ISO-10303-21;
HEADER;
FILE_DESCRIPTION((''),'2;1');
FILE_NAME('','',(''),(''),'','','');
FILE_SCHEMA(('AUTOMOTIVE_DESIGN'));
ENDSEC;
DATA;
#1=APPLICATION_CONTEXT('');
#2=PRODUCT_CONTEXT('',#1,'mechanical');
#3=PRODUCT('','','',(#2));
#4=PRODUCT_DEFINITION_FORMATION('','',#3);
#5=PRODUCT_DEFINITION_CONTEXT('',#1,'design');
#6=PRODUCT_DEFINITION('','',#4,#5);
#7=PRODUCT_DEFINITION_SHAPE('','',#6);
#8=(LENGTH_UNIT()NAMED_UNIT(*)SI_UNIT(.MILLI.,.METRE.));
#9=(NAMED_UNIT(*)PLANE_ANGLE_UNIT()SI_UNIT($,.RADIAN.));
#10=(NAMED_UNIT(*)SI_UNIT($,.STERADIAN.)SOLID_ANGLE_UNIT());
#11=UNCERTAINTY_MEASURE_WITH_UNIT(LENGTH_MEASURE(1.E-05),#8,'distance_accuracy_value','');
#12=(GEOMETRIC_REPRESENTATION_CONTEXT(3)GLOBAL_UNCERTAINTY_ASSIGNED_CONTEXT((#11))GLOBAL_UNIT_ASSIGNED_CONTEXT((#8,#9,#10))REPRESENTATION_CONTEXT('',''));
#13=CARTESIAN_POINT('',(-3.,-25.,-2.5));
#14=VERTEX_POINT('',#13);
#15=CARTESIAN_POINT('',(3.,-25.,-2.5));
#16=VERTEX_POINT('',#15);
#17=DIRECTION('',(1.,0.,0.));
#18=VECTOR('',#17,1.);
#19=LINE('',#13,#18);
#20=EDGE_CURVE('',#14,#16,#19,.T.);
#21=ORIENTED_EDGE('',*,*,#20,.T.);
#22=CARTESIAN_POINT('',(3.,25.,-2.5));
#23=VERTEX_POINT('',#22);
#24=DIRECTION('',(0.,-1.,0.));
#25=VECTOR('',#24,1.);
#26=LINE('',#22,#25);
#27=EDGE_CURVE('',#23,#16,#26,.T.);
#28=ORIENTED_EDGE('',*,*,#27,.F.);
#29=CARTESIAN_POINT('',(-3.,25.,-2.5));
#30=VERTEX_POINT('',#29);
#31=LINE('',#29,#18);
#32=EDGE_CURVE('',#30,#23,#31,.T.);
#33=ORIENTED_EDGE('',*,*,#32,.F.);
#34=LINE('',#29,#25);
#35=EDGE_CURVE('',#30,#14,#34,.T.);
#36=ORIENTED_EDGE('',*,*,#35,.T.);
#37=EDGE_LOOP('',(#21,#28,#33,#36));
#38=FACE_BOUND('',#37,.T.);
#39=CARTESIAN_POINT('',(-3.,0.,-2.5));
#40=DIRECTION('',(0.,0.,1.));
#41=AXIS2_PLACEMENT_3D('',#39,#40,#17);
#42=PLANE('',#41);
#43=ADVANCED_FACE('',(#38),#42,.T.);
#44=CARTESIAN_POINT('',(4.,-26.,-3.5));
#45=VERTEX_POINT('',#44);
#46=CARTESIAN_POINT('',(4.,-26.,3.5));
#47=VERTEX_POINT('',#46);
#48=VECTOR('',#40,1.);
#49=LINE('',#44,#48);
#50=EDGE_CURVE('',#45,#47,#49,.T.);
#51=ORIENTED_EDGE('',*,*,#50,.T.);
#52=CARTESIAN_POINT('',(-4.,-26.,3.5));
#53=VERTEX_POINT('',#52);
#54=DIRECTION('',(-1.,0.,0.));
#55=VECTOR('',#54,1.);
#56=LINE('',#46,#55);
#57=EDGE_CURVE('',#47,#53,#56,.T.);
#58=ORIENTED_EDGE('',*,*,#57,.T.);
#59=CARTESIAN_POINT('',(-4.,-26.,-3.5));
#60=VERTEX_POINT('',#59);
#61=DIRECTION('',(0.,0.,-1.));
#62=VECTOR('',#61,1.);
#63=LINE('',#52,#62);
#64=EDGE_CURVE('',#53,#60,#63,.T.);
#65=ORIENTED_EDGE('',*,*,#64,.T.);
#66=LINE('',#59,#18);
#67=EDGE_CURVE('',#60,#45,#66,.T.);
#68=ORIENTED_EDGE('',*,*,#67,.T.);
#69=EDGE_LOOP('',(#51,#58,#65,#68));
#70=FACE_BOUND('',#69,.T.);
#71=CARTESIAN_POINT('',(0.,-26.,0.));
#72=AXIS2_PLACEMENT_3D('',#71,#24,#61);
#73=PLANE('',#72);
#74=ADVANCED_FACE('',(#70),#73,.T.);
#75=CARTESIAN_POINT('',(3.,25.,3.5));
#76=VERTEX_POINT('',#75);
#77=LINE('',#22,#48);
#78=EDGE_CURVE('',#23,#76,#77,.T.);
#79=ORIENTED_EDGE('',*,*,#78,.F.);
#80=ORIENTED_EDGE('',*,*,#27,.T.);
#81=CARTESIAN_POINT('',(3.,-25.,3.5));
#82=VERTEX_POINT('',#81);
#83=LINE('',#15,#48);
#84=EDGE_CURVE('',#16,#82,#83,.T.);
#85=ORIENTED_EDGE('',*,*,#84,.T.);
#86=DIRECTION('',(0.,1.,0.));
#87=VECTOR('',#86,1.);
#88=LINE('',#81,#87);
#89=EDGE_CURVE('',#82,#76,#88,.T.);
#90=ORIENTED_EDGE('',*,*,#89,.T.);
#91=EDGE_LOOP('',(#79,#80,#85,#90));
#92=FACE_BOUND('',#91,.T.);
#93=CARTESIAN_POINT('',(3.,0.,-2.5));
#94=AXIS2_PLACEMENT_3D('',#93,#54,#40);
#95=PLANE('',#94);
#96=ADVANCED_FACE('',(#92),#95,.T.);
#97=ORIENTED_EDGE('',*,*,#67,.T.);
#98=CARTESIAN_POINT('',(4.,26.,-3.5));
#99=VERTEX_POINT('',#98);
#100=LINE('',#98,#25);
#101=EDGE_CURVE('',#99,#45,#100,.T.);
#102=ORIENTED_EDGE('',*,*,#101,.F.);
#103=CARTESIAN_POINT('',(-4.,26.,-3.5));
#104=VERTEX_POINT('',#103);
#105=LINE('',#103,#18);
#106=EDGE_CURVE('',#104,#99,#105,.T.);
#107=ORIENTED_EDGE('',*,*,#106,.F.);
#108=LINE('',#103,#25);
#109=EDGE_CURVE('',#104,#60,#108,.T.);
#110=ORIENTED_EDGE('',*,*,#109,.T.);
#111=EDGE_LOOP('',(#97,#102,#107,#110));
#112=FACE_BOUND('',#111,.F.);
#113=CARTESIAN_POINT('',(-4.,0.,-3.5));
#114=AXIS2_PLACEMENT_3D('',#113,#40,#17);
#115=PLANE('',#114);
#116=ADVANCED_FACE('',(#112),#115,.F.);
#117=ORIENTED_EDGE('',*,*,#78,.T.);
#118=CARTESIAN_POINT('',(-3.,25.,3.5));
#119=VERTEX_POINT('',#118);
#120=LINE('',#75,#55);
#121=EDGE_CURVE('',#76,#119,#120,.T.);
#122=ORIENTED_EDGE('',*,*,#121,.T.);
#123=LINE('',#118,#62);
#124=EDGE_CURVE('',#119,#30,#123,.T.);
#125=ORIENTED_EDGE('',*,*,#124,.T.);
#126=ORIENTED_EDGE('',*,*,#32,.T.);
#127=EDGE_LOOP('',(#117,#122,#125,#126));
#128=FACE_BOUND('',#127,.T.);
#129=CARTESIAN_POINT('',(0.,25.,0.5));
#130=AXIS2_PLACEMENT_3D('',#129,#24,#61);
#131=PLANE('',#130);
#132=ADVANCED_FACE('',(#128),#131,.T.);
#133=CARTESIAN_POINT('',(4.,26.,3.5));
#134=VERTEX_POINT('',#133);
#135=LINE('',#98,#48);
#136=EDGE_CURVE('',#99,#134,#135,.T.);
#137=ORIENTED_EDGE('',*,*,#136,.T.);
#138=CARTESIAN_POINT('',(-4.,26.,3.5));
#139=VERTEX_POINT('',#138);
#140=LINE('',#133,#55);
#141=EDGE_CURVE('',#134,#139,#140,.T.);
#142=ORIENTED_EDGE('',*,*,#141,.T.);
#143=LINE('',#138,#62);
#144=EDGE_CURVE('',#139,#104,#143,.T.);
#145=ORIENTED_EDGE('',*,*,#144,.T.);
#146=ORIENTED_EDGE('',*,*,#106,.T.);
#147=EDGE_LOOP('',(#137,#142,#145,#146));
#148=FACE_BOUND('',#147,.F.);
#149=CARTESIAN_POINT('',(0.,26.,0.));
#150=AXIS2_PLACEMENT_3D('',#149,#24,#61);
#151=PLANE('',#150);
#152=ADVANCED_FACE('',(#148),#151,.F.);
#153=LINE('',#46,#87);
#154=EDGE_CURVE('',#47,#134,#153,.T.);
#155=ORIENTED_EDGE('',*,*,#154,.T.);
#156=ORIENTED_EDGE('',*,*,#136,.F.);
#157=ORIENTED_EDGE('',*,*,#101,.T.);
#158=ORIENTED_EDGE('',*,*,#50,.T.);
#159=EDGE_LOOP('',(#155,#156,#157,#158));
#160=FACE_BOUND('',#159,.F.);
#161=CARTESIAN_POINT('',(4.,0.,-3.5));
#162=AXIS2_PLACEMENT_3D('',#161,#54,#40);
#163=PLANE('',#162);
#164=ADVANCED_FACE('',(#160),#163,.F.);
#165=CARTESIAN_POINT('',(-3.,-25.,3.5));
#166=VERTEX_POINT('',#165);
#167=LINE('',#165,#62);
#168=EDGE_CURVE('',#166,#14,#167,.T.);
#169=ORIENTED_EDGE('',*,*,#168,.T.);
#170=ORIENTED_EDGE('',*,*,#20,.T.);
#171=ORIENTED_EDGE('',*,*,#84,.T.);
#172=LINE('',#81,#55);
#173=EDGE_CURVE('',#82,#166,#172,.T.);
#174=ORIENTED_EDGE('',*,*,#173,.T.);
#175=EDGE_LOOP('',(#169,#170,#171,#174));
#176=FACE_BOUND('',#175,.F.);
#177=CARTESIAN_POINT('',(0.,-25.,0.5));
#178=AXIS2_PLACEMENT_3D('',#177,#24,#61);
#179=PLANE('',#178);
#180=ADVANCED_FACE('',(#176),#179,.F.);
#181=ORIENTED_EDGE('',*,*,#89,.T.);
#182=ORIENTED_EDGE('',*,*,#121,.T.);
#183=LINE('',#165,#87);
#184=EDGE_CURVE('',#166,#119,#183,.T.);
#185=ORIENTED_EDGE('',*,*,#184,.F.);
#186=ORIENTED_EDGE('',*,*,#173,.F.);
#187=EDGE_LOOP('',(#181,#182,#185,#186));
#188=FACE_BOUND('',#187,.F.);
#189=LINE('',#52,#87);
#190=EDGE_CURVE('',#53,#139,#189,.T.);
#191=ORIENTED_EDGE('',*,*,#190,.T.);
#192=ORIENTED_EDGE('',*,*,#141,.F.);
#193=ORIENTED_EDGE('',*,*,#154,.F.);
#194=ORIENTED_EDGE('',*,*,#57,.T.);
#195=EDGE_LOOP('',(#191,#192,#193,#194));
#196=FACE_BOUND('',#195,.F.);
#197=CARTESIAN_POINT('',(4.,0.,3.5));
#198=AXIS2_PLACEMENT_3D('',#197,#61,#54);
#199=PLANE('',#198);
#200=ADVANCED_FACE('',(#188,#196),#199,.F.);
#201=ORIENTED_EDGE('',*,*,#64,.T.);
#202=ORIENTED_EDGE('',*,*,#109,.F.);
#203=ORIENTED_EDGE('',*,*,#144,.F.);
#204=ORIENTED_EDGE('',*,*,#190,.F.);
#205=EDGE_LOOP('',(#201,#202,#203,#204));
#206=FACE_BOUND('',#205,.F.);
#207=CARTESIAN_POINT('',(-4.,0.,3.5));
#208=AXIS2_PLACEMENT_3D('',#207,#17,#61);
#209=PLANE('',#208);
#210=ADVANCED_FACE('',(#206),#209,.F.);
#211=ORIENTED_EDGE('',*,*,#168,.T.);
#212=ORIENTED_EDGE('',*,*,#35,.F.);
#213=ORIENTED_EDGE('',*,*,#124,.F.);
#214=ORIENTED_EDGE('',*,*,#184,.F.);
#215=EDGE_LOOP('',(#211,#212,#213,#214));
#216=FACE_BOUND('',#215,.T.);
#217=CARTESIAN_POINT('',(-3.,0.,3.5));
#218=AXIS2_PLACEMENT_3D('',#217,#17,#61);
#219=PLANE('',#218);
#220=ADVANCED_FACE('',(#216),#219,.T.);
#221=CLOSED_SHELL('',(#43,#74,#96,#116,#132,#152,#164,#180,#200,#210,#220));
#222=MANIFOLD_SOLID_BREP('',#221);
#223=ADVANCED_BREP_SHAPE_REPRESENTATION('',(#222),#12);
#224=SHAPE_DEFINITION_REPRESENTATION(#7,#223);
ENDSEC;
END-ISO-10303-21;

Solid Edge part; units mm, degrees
sketch "Sketch1" plane through (0, 0, 0) normal (0, -1, 0) x (1, 0, 0)
  line L0 (-4, 3.5) -> (-4, -3.5)
  line L1 (-4, -3.5) -> (4, -3.5)
  line L2 (4, -3.5) -> (4, 3.5)
  line L3 (4, 3.5) -> (-4, 3.5)
extrude "Protrusion1" add sketch "Sketch1" along normal mid plane 52
sketch "Sketch2" plane through (0, 0, 0) normal (0, -1, 0) x (1, 0, 0)
  line L0 (-3, 3.5) -> (-3, -2.5)
  line L1 (-3, -2.5) -> (3, -2.5)
  line L2 (3, -2.5) -> (3, 3.5)
  line L3 (3, 3.5) -> (-3, 3.5)
extrude "Cutout1" cut sketch "Sketch2" along normal mid plane 50
